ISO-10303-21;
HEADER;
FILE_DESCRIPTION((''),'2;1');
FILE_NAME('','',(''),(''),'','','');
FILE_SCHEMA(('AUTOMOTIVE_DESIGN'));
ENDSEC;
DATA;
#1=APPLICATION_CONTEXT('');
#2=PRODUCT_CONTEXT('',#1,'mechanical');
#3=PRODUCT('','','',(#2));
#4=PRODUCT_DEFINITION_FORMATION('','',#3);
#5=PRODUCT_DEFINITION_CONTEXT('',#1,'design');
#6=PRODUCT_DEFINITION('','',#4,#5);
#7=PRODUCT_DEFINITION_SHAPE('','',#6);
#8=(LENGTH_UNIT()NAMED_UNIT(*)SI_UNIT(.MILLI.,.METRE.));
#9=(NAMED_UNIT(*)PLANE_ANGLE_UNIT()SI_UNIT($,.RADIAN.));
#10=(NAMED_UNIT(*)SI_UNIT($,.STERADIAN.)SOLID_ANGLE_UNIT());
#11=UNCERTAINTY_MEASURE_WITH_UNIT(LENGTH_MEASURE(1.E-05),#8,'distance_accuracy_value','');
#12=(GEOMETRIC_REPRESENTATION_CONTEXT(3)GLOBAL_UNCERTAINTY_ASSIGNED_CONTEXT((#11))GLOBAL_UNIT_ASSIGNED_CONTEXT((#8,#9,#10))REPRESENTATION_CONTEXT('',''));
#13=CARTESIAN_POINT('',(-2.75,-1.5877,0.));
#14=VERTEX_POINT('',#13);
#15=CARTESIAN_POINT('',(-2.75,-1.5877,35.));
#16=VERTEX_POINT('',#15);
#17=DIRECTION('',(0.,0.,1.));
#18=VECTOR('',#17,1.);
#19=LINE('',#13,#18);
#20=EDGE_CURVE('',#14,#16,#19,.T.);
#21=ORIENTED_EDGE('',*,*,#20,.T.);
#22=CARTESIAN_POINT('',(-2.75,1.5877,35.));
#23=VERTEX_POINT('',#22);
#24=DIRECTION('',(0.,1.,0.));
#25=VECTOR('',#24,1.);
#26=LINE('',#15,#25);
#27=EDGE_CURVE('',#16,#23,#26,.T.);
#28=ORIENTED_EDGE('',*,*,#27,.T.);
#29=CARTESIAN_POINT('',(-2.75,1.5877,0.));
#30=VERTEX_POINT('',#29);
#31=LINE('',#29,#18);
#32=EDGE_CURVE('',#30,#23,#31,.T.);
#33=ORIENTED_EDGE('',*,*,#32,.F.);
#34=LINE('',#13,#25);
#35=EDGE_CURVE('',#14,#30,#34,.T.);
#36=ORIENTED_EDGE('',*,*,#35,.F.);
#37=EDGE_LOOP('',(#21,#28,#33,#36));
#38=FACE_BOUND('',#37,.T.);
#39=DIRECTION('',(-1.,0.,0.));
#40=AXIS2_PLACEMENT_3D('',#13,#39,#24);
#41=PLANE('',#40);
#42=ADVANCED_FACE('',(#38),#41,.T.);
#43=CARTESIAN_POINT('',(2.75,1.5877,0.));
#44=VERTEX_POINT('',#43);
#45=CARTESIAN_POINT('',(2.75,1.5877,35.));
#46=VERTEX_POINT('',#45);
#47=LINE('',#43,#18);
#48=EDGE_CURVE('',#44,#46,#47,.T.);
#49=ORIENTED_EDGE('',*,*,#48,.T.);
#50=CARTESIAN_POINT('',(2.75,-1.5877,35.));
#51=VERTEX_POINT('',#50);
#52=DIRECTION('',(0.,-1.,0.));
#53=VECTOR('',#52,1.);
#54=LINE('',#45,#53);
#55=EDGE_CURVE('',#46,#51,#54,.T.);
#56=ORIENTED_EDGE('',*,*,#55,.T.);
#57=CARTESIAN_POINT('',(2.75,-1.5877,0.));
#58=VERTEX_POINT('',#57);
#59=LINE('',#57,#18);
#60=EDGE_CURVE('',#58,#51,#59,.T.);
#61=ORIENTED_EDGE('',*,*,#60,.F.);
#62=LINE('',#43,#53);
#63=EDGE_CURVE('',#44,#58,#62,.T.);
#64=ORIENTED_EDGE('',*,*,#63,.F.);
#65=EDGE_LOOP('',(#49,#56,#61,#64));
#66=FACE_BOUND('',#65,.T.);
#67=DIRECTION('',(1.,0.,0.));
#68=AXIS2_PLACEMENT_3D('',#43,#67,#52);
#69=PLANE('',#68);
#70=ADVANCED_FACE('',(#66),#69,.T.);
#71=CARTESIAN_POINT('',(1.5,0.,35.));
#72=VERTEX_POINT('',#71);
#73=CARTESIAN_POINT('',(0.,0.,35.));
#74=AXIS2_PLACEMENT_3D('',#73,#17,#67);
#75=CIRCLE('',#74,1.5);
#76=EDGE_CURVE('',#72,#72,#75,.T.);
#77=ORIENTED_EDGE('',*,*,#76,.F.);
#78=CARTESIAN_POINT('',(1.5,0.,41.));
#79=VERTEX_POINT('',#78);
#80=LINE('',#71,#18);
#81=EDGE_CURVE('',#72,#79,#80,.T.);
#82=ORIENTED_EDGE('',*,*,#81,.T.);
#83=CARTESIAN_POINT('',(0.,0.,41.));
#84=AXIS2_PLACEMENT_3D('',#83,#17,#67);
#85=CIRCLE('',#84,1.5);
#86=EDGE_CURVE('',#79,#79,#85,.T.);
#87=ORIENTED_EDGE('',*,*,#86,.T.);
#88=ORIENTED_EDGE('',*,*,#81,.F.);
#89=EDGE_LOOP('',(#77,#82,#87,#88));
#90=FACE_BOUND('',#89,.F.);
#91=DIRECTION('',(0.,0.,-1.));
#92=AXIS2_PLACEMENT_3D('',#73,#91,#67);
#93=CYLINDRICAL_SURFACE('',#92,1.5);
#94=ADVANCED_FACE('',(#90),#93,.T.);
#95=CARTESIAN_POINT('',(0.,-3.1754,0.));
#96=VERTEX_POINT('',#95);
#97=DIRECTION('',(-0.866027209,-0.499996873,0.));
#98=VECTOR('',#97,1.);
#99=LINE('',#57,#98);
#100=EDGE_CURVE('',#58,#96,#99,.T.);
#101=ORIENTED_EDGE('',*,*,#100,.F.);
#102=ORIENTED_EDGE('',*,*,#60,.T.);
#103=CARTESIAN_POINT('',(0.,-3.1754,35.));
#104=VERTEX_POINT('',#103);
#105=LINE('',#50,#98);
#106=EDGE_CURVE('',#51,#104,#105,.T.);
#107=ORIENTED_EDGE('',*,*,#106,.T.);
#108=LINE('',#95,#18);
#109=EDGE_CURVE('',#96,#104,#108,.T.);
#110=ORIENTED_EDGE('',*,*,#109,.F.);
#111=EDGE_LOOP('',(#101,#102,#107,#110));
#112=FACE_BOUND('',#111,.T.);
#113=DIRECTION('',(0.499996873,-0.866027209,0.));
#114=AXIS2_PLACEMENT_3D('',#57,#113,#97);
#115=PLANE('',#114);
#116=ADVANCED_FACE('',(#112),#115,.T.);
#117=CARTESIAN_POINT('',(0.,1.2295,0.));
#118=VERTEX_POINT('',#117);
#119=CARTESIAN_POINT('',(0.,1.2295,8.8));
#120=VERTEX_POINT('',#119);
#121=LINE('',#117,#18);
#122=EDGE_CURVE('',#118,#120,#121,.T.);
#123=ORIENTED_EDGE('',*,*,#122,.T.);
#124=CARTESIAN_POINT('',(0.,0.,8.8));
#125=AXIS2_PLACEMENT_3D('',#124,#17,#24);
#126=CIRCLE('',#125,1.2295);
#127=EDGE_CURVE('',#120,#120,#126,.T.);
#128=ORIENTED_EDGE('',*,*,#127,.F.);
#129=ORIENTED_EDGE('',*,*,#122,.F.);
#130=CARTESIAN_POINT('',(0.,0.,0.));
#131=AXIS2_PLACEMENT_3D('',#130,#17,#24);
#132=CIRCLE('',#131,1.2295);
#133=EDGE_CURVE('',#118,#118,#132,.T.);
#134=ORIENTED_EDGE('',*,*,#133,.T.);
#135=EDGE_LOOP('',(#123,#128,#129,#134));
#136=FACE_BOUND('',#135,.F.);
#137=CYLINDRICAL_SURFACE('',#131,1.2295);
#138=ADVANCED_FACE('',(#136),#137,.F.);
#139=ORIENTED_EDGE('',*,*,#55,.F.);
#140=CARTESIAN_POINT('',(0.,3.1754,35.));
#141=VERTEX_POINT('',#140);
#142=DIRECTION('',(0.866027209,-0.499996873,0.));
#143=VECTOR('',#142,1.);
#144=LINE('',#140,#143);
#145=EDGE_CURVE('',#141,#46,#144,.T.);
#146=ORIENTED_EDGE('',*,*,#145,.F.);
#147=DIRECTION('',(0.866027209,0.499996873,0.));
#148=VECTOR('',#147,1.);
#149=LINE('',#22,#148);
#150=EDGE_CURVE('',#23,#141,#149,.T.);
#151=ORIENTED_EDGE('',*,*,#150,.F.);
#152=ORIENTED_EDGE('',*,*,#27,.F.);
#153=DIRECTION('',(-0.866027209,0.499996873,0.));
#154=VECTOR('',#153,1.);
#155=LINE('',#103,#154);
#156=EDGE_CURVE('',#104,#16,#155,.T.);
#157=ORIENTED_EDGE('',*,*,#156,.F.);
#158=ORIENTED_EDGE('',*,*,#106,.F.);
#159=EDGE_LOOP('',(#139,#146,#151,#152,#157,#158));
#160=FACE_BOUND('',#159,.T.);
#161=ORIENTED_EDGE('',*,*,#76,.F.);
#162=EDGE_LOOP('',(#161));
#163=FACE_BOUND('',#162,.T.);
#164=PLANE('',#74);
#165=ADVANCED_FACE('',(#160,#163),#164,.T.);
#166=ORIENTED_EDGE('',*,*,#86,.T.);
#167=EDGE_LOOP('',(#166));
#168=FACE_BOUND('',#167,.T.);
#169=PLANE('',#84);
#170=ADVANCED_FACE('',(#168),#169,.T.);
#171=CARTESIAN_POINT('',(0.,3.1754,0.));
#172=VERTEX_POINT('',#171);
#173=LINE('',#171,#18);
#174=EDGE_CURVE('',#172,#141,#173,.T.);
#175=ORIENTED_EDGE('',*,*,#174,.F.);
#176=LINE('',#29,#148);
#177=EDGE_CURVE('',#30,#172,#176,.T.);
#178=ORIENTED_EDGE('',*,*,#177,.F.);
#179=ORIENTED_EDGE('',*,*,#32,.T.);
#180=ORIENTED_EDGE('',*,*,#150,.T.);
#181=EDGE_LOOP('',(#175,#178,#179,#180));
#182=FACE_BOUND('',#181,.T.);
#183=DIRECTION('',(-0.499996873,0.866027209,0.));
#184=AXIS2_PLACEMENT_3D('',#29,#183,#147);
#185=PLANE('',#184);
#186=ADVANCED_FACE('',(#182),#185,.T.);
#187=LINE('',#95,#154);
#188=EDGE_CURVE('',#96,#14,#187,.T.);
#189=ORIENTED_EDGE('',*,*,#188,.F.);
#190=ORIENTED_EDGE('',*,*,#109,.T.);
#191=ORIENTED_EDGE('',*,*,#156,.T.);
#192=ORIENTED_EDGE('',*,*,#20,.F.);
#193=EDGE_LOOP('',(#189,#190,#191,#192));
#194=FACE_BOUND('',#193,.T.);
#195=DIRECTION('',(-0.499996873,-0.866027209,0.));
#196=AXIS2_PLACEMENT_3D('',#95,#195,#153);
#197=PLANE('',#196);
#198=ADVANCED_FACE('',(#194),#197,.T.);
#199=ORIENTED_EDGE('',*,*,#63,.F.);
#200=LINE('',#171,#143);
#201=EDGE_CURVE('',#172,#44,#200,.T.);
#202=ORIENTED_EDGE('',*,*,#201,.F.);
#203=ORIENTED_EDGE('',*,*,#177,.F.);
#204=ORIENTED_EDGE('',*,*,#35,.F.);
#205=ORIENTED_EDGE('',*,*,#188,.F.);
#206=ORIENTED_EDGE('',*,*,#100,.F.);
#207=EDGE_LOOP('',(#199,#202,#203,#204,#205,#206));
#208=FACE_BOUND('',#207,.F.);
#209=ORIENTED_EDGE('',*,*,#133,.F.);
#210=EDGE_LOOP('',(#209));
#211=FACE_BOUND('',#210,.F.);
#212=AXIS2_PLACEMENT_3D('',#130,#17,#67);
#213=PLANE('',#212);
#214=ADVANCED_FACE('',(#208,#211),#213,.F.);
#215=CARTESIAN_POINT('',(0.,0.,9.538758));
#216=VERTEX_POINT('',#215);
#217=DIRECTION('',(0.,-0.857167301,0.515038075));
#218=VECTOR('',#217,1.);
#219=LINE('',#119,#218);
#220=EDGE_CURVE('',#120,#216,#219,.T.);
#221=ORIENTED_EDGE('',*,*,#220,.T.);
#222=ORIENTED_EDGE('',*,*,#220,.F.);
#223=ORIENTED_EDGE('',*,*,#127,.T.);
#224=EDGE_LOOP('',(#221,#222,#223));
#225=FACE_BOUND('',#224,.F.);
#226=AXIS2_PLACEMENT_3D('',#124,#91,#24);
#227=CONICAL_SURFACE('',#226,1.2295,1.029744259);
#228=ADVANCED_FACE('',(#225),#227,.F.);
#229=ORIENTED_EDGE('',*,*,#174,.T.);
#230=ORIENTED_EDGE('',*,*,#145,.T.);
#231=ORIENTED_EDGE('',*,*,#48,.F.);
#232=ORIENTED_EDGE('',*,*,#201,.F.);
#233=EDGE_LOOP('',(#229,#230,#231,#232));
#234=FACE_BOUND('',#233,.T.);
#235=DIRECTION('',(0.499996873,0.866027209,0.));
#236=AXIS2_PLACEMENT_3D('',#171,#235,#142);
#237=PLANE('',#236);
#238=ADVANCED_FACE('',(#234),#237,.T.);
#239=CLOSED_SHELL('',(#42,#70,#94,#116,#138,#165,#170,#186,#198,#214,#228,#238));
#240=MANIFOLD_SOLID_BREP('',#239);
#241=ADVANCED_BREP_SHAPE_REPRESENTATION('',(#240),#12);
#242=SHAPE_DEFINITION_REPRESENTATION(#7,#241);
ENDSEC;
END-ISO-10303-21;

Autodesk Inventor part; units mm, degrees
ref_plane "YZ Plane" through (0, 0, 0) normal (1, 0, 0) x (0, 1, 0)
ref_plane "XZ Plane" through (0, 0, 0) normal (0, 1, 0) x (-1, 0, 0)
ref_plane "XY Plane" through (0, 0, 0) normal (0, 0, 1) x (1, 0, 0)
sketch "スケッチ1" plane through (0, 0, 0) normal (0, 0, 1) x (1, 0, 0)
  line L0 (0, 3.1754) -> (2.75, 1.5877)
  line L1 (2.75, 1.5877) -> (2.75, -1.5877)
  line L2 (2.75, -1.5877) -> (0, -3.1754)
  line L3 (0, -3.1754) -> (-2.75, -1.5877)
  line L4 (-2.75, -1.5877) -> (-2.75, 1.5877)
  line L5 (-2.75, 1.5877) -> (0, 3.1754)
  point P0 (0, 0)
  point P1 (0, 0)
  dimension "d0" = 5.5
extrude "押し出し1" add sketch "スケッチ1" along normal blind 35
sketch "スケッチ2" plane through (0, 0, 35) normal (0, 0, 1) x (1, 0, 0)
  circle A0 centre (0, 0) radius 1.5
  dimension "d3" = 3
extrude "押し出し2" add sketch "スケッチ2" along normal blind 6
sketch "スケッチ3" plane through (0, 0, 0) normal (0, 0, -1) x (-1, 0, 0)
  point P0 (0, 0)
hole "穴1" at (0, 0, 0) direction (0, 0, 1) diameter 2.459 depth 8.8 tip angle 118 thread size "M3x0.5" class "6H" standard "ISO Metric profile"
properties part number "SBD-O3-25" material "真鍮、ソフト イエロー"
